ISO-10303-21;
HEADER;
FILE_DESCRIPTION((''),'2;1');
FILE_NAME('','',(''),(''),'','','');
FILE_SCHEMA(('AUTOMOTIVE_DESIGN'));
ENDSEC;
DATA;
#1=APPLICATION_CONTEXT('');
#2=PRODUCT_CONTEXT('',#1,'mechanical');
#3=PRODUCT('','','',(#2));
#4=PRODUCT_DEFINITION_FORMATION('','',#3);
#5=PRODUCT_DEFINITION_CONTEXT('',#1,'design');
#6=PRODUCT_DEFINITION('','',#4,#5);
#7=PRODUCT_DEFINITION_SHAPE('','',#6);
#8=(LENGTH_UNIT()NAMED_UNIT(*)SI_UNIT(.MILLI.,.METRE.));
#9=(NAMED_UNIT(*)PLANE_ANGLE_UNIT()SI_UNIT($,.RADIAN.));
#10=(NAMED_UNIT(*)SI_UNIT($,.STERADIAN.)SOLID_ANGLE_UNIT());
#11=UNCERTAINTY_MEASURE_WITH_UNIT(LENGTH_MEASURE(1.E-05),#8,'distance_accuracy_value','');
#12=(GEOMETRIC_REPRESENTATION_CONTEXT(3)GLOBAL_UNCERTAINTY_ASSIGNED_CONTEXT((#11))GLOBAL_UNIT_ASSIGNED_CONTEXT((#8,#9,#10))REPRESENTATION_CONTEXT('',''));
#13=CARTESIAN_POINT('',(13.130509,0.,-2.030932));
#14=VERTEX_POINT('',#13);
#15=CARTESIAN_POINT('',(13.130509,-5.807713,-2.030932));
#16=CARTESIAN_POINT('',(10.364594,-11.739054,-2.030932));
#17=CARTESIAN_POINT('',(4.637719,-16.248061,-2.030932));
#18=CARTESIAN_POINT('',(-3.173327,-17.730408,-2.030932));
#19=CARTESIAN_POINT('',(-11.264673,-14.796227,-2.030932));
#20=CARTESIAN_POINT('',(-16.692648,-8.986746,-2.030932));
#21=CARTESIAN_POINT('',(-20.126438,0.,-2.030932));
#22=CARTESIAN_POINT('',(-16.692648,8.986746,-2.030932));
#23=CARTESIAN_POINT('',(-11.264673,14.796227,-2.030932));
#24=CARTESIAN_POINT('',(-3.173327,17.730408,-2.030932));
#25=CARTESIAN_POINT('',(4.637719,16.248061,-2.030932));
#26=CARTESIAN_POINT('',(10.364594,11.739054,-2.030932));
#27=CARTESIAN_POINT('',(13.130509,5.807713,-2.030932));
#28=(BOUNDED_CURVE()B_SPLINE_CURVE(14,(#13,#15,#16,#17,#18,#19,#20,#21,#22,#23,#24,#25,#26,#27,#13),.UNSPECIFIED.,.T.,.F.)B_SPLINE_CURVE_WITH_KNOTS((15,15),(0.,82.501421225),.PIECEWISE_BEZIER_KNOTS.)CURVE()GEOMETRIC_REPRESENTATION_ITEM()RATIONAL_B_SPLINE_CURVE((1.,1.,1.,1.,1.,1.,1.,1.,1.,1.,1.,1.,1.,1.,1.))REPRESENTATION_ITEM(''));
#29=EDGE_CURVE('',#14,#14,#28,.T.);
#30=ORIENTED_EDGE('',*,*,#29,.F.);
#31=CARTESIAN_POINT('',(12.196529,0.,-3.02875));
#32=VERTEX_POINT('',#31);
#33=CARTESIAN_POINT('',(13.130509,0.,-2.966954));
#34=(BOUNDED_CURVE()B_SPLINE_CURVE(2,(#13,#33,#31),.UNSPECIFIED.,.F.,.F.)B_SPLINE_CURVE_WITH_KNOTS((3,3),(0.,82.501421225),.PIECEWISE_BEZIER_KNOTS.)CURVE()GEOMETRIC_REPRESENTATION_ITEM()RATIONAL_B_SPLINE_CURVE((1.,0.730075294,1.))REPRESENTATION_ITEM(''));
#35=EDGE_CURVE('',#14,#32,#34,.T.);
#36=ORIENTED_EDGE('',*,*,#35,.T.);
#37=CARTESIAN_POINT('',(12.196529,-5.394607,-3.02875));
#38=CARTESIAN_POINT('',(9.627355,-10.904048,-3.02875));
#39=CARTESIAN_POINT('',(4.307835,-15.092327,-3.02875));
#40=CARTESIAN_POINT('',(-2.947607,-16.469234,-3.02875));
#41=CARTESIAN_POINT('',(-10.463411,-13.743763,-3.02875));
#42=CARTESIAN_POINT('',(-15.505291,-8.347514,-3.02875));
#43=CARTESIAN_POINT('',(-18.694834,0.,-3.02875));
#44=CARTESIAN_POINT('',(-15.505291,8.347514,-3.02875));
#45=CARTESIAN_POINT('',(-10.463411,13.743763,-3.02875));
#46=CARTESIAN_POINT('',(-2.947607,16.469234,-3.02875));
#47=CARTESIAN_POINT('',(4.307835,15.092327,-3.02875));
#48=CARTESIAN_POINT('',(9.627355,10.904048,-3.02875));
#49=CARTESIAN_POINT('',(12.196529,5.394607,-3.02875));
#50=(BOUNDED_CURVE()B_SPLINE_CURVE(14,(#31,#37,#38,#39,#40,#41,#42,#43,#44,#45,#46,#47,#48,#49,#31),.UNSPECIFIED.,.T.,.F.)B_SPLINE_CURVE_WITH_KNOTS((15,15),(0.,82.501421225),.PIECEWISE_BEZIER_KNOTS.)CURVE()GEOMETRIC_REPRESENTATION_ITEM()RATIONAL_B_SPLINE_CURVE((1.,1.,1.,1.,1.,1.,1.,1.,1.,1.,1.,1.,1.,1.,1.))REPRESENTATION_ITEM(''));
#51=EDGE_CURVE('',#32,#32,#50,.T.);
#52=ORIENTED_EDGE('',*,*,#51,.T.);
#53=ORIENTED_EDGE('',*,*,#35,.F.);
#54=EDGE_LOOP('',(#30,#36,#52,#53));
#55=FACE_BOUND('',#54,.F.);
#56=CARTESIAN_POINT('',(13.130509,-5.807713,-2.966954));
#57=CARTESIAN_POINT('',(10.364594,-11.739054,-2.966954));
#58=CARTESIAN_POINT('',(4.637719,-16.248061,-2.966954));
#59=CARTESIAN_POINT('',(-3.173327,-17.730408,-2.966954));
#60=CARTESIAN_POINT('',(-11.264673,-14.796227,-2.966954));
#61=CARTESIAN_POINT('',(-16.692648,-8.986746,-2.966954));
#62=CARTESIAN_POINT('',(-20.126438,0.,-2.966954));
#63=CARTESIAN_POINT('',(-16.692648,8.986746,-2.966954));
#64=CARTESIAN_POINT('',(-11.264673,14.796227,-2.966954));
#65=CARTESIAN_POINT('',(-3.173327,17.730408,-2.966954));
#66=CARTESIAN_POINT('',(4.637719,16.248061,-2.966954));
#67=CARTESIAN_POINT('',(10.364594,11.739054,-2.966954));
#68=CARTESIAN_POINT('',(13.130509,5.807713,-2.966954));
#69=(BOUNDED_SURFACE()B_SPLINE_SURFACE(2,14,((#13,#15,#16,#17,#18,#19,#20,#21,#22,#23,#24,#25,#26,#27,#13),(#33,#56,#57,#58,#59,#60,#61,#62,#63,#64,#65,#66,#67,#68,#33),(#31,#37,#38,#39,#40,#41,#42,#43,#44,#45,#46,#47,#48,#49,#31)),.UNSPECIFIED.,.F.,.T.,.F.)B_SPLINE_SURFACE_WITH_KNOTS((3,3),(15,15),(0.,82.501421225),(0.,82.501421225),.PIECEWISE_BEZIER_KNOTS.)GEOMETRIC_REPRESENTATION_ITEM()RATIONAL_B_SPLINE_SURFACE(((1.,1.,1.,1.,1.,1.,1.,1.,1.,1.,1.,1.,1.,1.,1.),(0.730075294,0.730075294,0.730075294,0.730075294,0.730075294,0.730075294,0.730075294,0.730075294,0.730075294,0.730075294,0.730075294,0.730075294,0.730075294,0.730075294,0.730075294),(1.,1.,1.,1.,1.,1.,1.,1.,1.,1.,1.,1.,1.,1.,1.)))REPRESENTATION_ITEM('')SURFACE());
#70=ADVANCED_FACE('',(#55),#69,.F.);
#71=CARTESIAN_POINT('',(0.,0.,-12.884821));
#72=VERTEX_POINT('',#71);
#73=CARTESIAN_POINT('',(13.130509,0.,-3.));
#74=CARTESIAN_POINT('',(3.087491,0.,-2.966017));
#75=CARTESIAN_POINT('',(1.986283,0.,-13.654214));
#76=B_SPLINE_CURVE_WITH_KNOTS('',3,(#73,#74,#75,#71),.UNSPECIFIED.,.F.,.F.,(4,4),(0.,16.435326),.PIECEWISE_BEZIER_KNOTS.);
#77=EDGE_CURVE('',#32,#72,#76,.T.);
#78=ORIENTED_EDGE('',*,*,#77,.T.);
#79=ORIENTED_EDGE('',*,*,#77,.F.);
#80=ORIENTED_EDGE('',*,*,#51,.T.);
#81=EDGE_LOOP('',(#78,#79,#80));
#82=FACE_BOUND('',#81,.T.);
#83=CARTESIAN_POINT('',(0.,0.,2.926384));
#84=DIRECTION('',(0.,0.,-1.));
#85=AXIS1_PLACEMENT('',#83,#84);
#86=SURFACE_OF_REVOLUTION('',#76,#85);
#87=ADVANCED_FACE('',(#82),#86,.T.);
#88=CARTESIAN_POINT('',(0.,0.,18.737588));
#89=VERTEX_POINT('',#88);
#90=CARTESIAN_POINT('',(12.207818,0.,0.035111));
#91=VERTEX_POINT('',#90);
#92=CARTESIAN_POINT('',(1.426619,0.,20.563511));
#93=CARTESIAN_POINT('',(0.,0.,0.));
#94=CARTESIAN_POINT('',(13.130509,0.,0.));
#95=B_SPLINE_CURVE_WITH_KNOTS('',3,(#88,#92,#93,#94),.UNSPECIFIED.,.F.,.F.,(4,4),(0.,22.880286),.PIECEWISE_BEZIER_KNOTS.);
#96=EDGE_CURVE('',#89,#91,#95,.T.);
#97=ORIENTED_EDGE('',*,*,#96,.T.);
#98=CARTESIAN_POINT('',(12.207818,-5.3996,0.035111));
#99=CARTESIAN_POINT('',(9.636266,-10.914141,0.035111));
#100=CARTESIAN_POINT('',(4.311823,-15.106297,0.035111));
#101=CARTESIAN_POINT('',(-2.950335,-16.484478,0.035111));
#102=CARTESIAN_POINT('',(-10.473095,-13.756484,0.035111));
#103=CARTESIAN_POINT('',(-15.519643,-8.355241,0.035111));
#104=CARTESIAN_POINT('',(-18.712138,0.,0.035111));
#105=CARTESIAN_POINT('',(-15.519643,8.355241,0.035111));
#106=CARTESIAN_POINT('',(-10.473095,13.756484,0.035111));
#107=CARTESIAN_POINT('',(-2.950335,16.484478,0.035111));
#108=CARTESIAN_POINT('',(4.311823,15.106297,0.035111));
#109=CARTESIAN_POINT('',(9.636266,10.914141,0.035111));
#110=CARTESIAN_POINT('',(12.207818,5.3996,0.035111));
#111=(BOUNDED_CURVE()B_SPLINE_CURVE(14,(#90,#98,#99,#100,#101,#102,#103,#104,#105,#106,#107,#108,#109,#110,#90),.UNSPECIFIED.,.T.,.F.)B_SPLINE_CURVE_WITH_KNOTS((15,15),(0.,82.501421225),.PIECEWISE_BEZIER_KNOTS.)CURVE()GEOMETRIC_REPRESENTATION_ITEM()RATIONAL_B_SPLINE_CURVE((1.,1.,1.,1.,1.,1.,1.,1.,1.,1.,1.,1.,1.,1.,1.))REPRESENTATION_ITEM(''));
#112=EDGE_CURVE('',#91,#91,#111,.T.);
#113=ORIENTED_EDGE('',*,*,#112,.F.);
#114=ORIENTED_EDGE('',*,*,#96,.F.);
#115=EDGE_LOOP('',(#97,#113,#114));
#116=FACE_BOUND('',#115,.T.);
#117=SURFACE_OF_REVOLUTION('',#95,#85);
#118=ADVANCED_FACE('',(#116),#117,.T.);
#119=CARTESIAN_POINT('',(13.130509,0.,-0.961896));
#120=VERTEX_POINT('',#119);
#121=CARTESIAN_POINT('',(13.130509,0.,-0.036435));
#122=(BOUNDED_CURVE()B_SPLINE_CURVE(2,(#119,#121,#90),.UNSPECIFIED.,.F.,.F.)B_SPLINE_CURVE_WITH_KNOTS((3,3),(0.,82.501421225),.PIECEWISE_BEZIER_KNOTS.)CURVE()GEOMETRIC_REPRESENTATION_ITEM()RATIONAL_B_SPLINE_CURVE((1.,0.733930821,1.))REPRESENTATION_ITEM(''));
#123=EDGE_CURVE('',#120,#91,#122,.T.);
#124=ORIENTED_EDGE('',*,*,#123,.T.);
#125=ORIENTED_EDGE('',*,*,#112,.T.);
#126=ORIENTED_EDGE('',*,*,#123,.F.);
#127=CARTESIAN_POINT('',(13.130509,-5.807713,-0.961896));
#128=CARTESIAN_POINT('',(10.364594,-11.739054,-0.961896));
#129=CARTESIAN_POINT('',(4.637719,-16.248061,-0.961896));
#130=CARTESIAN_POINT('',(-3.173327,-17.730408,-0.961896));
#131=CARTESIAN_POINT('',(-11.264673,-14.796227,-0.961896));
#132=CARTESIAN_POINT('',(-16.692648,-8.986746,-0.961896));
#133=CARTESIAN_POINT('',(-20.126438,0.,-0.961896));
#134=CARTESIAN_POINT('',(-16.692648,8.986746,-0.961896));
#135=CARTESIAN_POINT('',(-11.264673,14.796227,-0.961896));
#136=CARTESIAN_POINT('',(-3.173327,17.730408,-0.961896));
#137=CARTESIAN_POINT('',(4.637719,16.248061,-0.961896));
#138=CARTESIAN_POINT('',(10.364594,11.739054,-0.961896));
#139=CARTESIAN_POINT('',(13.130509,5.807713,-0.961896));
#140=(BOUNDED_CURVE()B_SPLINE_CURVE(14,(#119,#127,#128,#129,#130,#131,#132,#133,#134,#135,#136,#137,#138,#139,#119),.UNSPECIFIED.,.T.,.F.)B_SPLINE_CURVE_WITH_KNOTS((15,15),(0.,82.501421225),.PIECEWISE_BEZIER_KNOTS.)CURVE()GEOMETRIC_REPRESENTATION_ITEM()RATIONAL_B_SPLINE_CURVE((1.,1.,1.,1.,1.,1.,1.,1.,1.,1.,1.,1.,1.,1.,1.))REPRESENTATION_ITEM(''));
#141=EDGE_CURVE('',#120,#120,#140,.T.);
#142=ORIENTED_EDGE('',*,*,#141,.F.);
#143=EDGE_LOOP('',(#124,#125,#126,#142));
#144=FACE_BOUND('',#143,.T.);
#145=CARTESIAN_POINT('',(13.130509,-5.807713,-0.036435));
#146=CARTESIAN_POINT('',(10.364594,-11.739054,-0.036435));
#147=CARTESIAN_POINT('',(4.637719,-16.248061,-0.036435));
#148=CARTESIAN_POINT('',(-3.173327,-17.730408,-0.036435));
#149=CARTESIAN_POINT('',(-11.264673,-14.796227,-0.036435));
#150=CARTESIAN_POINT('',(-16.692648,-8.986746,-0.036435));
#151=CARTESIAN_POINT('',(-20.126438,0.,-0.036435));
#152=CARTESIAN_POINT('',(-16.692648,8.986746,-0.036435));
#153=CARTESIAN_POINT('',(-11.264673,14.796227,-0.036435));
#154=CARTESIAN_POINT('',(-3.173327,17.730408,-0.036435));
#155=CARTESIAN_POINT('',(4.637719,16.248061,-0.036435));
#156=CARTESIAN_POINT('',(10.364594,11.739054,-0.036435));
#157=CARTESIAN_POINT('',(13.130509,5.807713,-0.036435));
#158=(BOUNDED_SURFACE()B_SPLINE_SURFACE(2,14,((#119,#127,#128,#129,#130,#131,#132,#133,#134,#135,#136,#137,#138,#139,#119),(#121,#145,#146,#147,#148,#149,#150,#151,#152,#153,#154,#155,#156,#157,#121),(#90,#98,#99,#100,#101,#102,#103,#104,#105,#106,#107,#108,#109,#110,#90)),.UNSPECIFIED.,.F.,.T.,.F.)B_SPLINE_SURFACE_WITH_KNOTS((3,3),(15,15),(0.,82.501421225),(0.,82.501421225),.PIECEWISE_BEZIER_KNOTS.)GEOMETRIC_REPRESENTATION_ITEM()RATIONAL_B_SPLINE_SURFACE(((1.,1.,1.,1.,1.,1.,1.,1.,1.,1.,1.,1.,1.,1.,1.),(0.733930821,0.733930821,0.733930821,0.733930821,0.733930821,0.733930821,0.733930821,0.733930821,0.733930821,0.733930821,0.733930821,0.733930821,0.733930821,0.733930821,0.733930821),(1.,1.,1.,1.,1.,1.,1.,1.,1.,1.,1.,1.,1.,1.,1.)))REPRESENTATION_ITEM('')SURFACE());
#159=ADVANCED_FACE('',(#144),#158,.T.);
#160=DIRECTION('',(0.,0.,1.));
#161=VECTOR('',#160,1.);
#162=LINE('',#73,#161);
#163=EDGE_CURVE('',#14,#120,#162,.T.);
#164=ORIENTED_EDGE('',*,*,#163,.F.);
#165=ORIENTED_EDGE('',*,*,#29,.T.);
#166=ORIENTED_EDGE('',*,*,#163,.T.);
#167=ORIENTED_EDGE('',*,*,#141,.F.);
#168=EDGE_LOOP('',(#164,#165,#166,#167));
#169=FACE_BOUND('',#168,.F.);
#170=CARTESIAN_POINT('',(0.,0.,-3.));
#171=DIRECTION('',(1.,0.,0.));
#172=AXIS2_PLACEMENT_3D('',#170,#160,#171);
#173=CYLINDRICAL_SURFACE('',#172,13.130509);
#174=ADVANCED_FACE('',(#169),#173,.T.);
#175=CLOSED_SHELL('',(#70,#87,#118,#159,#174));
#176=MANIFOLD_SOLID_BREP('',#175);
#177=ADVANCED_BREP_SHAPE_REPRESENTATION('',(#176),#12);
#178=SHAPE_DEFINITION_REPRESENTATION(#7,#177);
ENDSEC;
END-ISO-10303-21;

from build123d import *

# Parameters (mm, degrees)
F2_R = 1


with BuildPart() as f1:
    # F0 (on Front) → F1 (revolve)
    with BuildSketch(Plane.XZ):
        with BuildLine():
            Line((13.130509, -3), (13.130509, 0))
            add(Edge.make_bspline(
                [(0, 18.737588), (1.426619, 20.563511), (0, 0), (13.130509, 0)],
                knots=[0, 0, 0, 0, 22.880286, 22.880286, 22.880286, 22.880286], degree=3))
            Line((0, 18.737588), (0, -12.884821))
            add(Edge.make_bspline(
                [(13.130509, -3), (3.087491, -2.966017), (1.986283, -13.654214), (0, -12.884821)],
                knots=[0, 0, 0, 0, 16.435326, 16.435326, 16.435326, 16.435326], degree=3))
        make_face()
    revolve(axis=Axis((0, 0, 2.926384), (0, 0, -1)))

    # F2
    f2_edges = [f1.edges().sort_by_distance(p)[0] for p in [
        (-13.130509, 0, 0),
        (-13.130509, 0, -3),
    ]]
    fillet(f2_edges, radius=F2_R)


solid = f1.part
